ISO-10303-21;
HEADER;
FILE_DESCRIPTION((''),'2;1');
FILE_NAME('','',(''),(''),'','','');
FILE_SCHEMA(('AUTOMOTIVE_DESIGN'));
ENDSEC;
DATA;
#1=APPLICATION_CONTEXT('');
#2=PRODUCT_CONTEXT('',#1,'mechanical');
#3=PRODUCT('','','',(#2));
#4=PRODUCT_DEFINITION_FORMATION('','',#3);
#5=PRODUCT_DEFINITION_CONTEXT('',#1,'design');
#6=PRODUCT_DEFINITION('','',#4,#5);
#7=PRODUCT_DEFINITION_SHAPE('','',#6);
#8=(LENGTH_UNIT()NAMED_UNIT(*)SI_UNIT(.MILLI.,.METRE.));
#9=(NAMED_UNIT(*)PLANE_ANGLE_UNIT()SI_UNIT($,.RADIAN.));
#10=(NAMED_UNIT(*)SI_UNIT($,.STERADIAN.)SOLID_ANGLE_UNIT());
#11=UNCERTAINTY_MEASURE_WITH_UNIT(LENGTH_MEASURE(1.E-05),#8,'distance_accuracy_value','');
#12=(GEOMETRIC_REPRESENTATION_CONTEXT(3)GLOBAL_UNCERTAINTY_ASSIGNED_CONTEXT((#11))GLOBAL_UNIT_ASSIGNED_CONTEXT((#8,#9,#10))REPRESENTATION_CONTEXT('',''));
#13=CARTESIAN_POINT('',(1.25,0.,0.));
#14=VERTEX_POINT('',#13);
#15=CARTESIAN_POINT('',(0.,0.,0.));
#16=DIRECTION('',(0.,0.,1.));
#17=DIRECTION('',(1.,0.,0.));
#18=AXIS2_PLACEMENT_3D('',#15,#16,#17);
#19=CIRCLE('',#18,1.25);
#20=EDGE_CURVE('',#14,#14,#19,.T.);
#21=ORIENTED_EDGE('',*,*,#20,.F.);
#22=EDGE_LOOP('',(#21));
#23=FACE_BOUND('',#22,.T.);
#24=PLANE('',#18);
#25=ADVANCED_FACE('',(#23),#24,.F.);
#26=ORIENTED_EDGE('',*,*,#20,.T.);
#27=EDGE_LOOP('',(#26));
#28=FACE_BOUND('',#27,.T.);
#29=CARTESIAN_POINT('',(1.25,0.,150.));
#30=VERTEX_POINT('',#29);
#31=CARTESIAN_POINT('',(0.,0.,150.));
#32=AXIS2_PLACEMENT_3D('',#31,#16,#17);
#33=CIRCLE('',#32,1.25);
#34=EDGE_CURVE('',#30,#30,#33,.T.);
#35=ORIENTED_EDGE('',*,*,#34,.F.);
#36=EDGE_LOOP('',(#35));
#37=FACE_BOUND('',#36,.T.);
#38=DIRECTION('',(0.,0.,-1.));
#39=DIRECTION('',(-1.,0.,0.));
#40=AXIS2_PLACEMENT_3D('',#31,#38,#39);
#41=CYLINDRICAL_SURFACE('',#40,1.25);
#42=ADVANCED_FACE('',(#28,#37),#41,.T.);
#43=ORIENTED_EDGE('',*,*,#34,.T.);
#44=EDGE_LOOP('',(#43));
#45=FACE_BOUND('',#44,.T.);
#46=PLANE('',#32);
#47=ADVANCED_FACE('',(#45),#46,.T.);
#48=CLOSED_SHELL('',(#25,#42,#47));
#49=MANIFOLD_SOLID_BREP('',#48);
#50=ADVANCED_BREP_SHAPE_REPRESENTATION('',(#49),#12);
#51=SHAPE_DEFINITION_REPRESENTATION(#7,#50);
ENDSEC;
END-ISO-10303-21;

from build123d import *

# Parameters (mm, degrees)
SKETCH_1_R      = 1.25
EXTRUDE_1_DEPTH = 150


with BuildPart() as part:
    # ｽｹｯﾁ1 → ﾎﾞｽ - 押し出し1 (new body)
    with BuildSketch(Plane.XY):
        Circle(SKETCH_1_R)
    extrude(amount=EXTRUDE_1_DEPTH)


solid = part.part
